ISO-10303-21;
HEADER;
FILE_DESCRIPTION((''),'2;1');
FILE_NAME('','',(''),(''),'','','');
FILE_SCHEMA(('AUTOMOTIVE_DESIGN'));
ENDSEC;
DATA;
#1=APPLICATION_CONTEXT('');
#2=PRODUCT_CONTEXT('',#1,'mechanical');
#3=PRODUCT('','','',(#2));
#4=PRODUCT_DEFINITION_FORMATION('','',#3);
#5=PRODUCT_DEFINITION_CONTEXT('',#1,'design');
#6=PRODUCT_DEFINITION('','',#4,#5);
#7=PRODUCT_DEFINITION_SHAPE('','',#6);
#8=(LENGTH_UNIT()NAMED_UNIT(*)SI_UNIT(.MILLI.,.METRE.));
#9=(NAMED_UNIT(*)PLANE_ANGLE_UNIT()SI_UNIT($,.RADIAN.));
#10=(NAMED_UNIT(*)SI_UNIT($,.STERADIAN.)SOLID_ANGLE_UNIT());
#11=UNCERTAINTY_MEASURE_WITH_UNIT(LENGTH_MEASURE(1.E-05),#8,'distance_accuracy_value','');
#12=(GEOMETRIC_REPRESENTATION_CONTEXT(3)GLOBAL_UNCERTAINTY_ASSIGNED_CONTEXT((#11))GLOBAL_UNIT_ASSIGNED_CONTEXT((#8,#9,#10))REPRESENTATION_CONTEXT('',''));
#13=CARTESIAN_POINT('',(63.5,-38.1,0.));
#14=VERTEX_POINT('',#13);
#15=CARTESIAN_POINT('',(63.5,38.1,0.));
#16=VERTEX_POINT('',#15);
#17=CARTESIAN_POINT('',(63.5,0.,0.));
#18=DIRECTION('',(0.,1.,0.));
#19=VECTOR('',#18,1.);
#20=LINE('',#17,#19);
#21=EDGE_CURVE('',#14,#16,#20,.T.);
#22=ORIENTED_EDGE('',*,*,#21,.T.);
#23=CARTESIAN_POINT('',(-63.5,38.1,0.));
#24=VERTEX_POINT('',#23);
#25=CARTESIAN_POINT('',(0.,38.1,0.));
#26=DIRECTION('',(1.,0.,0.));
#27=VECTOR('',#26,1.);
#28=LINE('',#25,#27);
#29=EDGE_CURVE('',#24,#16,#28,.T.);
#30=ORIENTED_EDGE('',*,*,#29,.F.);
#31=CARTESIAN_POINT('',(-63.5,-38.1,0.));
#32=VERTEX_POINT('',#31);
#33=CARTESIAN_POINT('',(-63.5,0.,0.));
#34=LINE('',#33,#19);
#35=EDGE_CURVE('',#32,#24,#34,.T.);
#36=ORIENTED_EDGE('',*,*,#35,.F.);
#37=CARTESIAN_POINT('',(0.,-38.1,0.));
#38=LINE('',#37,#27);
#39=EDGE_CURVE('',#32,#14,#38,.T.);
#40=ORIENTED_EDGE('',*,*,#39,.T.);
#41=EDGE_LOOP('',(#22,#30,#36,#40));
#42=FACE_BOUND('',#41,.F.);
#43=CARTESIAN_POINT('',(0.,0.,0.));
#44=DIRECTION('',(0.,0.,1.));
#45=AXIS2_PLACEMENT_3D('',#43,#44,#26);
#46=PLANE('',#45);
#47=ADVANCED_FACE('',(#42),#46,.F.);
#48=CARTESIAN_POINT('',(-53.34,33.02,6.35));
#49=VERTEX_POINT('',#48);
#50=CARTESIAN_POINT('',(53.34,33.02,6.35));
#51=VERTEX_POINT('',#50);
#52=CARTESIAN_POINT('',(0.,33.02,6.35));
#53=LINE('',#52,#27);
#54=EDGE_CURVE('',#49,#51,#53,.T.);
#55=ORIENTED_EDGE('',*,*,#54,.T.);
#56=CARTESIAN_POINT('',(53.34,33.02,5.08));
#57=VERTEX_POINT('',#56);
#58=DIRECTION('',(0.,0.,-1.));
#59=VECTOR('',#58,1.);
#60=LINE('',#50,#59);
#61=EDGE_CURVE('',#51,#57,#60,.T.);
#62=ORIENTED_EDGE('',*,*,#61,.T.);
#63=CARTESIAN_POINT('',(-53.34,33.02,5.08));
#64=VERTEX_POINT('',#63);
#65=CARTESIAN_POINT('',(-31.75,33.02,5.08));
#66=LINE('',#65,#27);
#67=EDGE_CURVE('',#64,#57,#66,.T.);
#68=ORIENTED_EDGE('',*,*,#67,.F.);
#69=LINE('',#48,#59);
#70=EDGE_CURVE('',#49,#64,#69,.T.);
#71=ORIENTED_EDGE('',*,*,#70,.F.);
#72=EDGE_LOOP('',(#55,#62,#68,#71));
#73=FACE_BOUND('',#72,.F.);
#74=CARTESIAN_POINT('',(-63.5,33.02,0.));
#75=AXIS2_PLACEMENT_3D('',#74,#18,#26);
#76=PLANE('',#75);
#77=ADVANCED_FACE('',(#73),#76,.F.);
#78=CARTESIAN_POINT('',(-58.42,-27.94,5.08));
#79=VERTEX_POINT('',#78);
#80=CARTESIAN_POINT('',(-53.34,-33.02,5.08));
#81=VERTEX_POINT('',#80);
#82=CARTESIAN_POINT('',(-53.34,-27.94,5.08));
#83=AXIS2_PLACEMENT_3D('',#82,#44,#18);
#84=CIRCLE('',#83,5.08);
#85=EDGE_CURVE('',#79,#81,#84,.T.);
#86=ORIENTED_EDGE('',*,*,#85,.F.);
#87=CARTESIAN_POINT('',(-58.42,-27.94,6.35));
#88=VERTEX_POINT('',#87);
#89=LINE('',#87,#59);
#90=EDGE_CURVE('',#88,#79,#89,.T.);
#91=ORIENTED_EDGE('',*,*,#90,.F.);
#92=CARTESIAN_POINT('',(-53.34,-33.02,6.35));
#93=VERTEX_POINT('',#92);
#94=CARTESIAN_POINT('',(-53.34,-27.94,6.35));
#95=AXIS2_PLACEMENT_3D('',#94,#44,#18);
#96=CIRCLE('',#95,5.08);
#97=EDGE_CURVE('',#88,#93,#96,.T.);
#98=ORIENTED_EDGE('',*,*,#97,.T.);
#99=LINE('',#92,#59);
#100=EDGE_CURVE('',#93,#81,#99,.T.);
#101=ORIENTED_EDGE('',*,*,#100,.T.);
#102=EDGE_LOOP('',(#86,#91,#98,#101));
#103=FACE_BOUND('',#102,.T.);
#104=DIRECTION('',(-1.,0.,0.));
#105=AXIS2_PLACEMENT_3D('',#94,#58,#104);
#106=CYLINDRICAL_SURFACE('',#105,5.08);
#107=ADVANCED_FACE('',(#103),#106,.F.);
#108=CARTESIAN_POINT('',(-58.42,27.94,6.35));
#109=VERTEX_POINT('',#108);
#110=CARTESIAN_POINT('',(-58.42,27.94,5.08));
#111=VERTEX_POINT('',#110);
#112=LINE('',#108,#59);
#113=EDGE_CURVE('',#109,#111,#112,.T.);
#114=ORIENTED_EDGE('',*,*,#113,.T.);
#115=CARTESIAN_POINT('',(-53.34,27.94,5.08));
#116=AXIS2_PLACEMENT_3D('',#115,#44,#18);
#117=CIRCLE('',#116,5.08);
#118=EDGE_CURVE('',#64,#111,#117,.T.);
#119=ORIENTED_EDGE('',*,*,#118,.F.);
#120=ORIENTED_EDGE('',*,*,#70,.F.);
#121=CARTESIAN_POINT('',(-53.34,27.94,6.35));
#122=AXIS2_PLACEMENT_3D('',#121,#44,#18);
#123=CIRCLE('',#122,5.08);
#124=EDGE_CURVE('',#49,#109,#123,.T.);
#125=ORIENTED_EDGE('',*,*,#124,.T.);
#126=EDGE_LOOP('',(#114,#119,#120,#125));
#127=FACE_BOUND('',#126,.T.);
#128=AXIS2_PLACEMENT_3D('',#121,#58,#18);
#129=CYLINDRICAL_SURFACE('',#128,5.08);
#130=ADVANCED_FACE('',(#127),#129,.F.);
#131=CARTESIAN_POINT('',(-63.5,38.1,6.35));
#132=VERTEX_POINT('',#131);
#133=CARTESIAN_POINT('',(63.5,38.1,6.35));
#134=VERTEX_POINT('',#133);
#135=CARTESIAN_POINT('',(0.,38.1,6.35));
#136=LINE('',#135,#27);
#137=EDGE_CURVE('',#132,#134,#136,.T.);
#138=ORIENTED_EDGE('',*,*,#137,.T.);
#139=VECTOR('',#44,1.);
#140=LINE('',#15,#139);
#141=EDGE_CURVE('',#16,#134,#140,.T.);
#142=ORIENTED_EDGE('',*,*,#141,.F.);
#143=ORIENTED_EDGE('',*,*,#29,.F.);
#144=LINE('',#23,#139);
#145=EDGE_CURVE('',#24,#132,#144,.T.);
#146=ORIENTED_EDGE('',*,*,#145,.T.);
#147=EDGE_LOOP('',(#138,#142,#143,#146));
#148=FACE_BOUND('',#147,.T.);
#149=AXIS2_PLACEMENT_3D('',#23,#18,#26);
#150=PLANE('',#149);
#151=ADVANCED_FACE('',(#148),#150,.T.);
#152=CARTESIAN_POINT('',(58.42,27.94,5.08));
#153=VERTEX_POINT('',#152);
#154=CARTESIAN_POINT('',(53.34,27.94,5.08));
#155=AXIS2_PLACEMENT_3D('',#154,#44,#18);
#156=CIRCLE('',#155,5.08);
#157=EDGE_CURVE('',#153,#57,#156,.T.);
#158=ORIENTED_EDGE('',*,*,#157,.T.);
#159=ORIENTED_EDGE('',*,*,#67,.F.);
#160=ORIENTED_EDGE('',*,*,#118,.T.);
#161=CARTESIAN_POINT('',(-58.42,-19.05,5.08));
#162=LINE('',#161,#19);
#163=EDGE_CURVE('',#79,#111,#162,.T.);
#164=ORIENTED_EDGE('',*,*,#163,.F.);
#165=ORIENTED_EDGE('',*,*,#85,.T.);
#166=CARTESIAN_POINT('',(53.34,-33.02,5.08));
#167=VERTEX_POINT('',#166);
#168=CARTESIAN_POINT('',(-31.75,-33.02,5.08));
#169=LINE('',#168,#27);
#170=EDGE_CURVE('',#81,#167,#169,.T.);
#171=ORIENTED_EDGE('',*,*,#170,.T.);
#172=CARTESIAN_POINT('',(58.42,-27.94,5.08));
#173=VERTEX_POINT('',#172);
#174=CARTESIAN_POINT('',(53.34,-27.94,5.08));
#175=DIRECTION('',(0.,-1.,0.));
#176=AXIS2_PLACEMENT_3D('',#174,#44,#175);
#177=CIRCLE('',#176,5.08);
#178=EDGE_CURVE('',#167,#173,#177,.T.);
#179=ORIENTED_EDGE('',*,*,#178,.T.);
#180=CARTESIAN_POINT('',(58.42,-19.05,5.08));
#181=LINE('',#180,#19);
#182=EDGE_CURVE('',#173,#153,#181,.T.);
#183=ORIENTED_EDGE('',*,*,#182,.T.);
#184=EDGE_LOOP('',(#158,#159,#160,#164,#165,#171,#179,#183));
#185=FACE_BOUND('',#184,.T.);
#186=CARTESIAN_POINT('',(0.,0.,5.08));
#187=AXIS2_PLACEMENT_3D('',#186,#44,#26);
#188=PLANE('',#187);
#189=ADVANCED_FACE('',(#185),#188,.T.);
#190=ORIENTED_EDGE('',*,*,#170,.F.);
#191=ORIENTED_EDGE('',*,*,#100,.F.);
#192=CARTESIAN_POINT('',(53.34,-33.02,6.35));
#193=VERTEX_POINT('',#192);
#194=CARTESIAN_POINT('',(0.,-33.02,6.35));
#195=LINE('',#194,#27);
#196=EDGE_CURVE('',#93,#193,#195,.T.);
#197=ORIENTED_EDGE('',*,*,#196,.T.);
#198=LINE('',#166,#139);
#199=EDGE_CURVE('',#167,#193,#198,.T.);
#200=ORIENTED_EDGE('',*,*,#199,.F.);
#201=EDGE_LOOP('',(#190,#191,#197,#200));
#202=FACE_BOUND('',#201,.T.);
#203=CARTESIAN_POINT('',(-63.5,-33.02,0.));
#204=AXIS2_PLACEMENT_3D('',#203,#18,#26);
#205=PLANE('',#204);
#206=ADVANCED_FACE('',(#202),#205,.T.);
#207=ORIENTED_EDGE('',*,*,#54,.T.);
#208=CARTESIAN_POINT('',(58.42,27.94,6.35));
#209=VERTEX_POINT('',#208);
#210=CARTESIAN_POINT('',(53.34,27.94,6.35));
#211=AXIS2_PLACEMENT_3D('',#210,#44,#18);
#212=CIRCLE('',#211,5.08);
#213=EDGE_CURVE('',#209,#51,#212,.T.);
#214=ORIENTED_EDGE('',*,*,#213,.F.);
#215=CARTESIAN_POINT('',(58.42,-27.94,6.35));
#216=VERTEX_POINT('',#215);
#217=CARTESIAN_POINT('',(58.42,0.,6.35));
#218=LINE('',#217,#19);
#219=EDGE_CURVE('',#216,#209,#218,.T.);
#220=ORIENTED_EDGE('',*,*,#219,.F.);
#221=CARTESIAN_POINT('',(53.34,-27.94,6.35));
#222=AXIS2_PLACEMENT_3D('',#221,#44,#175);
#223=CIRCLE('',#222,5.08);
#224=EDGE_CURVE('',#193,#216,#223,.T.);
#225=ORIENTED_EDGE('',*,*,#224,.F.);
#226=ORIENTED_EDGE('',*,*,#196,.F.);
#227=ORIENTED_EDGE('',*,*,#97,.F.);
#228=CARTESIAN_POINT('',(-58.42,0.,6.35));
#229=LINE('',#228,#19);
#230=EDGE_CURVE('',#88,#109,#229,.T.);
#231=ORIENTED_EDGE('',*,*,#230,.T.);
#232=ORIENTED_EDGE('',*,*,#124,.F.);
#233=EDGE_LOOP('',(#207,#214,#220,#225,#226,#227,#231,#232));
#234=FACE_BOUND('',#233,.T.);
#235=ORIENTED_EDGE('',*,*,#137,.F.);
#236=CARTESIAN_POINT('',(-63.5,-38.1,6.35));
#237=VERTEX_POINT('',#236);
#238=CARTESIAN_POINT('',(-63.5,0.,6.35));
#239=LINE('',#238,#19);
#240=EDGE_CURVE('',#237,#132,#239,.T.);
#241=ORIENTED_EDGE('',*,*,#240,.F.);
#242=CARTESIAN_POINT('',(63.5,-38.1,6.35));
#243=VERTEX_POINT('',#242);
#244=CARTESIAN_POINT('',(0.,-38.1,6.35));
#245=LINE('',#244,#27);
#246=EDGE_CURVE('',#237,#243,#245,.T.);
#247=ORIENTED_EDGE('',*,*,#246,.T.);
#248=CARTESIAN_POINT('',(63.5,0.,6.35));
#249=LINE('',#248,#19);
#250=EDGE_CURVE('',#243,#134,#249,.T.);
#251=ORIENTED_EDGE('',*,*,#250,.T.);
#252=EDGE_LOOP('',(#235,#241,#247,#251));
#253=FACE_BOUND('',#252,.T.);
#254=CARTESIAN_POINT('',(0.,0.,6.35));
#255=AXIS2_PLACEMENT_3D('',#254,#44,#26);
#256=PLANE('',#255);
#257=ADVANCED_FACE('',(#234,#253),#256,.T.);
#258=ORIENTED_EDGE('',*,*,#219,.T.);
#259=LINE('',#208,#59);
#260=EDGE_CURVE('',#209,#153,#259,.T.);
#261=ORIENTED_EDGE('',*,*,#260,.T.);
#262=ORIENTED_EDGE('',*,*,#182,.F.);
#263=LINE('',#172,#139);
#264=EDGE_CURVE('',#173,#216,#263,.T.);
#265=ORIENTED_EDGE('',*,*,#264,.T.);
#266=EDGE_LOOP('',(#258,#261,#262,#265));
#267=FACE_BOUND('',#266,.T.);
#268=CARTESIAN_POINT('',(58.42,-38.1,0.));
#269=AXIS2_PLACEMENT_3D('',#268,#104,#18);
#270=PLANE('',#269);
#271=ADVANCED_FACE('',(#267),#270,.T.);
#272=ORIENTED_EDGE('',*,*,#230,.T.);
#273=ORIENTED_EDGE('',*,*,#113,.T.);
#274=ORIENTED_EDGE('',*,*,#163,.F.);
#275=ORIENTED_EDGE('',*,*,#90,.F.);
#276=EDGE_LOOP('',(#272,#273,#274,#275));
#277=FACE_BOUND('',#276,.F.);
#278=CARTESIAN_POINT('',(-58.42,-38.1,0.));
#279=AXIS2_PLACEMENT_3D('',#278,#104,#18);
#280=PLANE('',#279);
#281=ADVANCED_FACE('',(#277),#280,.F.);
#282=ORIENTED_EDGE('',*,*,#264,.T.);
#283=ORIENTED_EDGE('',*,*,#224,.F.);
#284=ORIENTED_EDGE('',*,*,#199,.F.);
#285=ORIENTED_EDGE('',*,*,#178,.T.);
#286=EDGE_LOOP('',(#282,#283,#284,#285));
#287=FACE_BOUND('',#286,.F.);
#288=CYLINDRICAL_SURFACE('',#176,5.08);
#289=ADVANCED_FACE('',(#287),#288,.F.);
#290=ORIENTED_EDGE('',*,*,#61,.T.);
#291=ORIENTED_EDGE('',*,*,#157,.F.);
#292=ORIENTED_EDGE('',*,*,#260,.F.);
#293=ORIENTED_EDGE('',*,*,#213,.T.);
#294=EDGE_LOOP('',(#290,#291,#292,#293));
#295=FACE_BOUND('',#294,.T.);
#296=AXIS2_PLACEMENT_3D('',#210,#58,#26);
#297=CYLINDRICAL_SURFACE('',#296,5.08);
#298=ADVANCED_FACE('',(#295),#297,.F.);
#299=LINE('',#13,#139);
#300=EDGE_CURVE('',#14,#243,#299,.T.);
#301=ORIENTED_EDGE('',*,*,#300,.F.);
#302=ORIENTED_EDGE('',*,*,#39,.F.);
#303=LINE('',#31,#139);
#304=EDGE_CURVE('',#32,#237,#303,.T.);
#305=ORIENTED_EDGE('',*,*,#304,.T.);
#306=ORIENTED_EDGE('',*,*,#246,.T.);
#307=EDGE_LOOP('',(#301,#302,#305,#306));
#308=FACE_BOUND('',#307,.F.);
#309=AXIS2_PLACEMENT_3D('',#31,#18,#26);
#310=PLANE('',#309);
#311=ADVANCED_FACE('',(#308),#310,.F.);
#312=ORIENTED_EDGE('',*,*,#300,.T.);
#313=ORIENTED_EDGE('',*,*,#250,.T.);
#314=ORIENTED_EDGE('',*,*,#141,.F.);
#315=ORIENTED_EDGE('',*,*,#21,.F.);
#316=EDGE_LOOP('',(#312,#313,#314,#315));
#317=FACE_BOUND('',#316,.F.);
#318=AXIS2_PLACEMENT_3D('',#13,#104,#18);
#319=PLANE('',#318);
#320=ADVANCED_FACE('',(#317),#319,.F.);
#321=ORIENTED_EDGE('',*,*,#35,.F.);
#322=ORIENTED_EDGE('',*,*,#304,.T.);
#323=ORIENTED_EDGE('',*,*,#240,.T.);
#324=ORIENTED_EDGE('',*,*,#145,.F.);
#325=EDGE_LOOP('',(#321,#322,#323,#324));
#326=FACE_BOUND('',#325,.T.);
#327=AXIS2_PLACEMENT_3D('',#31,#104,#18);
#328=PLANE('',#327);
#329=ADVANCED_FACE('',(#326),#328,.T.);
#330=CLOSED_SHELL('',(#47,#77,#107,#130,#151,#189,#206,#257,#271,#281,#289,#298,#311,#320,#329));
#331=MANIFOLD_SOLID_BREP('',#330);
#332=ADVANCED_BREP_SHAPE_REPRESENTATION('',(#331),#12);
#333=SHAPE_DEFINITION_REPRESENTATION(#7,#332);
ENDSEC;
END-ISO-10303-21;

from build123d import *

# Parameters (mm, degrees)
F0_W     = 127
F0_H     = 76.2
F1_DEPTH = 6.35
F2_T     = -5.08
F3_R     = 5.08
F4_R     = 5.08
F5_R     = 5.08
F6_R     = 5.08


with BuildPart() as f1:
    # F0 (on Top) → F1 (new body)
    with BuildSketch(Plane.XY):
        Rectangle(F0_W, F0_H)
    extrude(amount=F1_DEPTH)

    # F2
    f2_openings = [f1.faces().sort_by_distance(p)[0] for p in [
        (0, 0, 6.35),
    ]]
    offset(amount=F2_T, openings=f2_openings)

    # F3
    f3_edges = [f1.edges().sort_by_distance(p)[0] for p in [
        (58.42, 33.02, 5.715),
    ]]
    fillet(f3_edges, radius=F3_R)

    # F4
    f4_edges = [f1.edges().sort_by_distance(p)[0] for p in [
        (-58.42, 33.02, 5.715),
    ]]
    fillet(f4_edges, radius=F4_R)

    # F5
    f5_edges = [f1.edges().sort_by_distance(p)[0] for p in [
        (-58.42, -33.02, 5.715),
    ]]
    fillet(f5_edges, radius=F5_R)

    # F6
    f6_edges = [f1.edges().sort_by_distance(p)[0] for p in [
        (58.42, -33.02, 5.715),
    ]]
    fillet(f6_edges, radius=F6_R)


solid = f1.part
